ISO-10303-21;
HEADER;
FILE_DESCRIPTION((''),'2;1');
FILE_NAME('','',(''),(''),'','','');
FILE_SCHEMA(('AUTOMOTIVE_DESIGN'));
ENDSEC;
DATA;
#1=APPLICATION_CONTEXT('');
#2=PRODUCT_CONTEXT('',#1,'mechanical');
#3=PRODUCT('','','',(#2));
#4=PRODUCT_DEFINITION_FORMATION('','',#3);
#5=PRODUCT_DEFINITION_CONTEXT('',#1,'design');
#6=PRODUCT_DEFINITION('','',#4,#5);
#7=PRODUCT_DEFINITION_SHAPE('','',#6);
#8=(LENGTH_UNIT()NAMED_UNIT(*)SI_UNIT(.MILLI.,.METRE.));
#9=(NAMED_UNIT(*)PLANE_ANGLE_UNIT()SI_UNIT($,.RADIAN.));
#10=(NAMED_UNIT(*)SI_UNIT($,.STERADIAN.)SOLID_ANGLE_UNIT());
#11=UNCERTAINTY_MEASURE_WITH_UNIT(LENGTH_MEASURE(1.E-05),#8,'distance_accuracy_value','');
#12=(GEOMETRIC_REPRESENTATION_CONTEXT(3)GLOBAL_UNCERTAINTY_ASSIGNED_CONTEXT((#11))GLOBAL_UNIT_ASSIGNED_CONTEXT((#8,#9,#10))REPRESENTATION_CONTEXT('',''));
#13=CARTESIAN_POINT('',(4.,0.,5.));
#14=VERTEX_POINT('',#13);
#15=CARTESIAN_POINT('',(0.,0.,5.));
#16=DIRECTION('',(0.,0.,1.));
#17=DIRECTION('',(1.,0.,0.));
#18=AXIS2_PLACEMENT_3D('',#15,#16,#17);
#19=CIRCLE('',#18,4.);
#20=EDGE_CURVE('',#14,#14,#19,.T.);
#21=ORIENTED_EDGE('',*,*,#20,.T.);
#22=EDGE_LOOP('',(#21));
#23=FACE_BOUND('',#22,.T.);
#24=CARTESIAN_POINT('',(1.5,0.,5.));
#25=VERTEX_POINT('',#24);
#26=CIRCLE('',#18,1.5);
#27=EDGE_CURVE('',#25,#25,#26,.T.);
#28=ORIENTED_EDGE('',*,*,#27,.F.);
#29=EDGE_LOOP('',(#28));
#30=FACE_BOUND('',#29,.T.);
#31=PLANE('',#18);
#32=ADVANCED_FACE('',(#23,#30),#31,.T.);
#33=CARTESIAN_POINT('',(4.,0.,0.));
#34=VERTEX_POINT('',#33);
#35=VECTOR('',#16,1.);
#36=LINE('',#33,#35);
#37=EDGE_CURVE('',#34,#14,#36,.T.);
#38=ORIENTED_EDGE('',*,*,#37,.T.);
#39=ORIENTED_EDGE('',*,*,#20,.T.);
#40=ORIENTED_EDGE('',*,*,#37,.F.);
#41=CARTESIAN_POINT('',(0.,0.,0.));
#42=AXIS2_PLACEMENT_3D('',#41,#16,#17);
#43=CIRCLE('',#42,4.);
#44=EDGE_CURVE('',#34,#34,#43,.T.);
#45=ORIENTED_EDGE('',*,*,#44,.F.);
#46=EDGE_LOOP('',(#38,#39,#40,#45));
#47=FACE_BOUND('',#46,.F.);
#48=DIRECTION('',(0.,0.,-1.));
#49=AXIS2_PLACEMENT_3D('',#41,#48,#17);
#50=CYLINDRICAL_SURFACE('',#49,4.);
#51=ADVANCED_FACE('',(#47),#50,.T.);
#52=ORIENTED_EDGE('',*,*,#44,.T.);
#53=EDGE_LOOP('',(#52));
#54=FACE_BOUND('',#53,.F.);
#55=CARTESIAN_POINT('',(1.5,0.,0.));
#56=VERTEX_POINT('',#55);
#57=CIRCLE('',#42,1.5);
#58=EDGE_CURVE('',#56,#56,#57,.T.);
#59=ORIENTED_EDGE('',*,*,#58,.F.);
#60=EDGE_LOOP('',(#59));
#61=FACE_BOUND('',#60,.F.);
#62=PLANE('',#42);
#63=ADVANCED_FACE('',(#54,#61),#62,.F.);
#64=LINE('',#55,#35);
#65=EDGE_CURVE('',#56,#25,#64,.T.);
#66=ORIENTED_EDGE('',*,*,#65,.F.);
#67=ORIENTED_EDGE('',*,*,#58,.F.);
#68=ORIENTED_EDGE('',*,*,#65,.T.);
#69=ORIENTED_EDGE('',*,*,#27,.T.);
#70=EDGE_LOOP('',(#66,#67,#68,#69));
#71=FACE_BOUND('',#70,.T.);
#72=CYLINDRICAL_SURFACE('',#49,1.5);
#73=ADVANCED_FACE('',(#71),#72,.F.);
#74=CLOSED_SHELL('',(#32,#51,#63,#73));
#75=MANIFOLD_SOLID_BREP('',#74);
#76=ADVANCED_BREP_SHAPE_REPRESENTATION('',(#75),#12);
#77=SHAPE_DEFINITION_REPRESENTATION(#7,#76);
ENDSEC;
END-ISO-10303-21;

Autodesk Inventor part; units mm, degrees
ref_plane "YZ Plane" through (0, 0, 0) normal (1, 0, 0) x (0, 1, 0)
ref_plane "XZ Plane" through (0, 0, 0) normal (0, 1, 0) x (-1, 0, 0)
ref_plane "XY Plane" through (0, 0, 0) normal (0, 0, 1) x (1, 0, 0)
sketch "Sketch1" plane through (0, 0, 0) normal (0, 0, 1) x (1, 0, 0)
  circle A0 centre (0, 0) radius 4
  circle A1 centre (0, 0) radius 1.5
  dimension "d0" = 8
  dimension "d2" = 3
extrude "Extrusion1" add sketch "Sketch1" along normal blind 5
properties part number "bearing 5mmx5mmx3mm"
